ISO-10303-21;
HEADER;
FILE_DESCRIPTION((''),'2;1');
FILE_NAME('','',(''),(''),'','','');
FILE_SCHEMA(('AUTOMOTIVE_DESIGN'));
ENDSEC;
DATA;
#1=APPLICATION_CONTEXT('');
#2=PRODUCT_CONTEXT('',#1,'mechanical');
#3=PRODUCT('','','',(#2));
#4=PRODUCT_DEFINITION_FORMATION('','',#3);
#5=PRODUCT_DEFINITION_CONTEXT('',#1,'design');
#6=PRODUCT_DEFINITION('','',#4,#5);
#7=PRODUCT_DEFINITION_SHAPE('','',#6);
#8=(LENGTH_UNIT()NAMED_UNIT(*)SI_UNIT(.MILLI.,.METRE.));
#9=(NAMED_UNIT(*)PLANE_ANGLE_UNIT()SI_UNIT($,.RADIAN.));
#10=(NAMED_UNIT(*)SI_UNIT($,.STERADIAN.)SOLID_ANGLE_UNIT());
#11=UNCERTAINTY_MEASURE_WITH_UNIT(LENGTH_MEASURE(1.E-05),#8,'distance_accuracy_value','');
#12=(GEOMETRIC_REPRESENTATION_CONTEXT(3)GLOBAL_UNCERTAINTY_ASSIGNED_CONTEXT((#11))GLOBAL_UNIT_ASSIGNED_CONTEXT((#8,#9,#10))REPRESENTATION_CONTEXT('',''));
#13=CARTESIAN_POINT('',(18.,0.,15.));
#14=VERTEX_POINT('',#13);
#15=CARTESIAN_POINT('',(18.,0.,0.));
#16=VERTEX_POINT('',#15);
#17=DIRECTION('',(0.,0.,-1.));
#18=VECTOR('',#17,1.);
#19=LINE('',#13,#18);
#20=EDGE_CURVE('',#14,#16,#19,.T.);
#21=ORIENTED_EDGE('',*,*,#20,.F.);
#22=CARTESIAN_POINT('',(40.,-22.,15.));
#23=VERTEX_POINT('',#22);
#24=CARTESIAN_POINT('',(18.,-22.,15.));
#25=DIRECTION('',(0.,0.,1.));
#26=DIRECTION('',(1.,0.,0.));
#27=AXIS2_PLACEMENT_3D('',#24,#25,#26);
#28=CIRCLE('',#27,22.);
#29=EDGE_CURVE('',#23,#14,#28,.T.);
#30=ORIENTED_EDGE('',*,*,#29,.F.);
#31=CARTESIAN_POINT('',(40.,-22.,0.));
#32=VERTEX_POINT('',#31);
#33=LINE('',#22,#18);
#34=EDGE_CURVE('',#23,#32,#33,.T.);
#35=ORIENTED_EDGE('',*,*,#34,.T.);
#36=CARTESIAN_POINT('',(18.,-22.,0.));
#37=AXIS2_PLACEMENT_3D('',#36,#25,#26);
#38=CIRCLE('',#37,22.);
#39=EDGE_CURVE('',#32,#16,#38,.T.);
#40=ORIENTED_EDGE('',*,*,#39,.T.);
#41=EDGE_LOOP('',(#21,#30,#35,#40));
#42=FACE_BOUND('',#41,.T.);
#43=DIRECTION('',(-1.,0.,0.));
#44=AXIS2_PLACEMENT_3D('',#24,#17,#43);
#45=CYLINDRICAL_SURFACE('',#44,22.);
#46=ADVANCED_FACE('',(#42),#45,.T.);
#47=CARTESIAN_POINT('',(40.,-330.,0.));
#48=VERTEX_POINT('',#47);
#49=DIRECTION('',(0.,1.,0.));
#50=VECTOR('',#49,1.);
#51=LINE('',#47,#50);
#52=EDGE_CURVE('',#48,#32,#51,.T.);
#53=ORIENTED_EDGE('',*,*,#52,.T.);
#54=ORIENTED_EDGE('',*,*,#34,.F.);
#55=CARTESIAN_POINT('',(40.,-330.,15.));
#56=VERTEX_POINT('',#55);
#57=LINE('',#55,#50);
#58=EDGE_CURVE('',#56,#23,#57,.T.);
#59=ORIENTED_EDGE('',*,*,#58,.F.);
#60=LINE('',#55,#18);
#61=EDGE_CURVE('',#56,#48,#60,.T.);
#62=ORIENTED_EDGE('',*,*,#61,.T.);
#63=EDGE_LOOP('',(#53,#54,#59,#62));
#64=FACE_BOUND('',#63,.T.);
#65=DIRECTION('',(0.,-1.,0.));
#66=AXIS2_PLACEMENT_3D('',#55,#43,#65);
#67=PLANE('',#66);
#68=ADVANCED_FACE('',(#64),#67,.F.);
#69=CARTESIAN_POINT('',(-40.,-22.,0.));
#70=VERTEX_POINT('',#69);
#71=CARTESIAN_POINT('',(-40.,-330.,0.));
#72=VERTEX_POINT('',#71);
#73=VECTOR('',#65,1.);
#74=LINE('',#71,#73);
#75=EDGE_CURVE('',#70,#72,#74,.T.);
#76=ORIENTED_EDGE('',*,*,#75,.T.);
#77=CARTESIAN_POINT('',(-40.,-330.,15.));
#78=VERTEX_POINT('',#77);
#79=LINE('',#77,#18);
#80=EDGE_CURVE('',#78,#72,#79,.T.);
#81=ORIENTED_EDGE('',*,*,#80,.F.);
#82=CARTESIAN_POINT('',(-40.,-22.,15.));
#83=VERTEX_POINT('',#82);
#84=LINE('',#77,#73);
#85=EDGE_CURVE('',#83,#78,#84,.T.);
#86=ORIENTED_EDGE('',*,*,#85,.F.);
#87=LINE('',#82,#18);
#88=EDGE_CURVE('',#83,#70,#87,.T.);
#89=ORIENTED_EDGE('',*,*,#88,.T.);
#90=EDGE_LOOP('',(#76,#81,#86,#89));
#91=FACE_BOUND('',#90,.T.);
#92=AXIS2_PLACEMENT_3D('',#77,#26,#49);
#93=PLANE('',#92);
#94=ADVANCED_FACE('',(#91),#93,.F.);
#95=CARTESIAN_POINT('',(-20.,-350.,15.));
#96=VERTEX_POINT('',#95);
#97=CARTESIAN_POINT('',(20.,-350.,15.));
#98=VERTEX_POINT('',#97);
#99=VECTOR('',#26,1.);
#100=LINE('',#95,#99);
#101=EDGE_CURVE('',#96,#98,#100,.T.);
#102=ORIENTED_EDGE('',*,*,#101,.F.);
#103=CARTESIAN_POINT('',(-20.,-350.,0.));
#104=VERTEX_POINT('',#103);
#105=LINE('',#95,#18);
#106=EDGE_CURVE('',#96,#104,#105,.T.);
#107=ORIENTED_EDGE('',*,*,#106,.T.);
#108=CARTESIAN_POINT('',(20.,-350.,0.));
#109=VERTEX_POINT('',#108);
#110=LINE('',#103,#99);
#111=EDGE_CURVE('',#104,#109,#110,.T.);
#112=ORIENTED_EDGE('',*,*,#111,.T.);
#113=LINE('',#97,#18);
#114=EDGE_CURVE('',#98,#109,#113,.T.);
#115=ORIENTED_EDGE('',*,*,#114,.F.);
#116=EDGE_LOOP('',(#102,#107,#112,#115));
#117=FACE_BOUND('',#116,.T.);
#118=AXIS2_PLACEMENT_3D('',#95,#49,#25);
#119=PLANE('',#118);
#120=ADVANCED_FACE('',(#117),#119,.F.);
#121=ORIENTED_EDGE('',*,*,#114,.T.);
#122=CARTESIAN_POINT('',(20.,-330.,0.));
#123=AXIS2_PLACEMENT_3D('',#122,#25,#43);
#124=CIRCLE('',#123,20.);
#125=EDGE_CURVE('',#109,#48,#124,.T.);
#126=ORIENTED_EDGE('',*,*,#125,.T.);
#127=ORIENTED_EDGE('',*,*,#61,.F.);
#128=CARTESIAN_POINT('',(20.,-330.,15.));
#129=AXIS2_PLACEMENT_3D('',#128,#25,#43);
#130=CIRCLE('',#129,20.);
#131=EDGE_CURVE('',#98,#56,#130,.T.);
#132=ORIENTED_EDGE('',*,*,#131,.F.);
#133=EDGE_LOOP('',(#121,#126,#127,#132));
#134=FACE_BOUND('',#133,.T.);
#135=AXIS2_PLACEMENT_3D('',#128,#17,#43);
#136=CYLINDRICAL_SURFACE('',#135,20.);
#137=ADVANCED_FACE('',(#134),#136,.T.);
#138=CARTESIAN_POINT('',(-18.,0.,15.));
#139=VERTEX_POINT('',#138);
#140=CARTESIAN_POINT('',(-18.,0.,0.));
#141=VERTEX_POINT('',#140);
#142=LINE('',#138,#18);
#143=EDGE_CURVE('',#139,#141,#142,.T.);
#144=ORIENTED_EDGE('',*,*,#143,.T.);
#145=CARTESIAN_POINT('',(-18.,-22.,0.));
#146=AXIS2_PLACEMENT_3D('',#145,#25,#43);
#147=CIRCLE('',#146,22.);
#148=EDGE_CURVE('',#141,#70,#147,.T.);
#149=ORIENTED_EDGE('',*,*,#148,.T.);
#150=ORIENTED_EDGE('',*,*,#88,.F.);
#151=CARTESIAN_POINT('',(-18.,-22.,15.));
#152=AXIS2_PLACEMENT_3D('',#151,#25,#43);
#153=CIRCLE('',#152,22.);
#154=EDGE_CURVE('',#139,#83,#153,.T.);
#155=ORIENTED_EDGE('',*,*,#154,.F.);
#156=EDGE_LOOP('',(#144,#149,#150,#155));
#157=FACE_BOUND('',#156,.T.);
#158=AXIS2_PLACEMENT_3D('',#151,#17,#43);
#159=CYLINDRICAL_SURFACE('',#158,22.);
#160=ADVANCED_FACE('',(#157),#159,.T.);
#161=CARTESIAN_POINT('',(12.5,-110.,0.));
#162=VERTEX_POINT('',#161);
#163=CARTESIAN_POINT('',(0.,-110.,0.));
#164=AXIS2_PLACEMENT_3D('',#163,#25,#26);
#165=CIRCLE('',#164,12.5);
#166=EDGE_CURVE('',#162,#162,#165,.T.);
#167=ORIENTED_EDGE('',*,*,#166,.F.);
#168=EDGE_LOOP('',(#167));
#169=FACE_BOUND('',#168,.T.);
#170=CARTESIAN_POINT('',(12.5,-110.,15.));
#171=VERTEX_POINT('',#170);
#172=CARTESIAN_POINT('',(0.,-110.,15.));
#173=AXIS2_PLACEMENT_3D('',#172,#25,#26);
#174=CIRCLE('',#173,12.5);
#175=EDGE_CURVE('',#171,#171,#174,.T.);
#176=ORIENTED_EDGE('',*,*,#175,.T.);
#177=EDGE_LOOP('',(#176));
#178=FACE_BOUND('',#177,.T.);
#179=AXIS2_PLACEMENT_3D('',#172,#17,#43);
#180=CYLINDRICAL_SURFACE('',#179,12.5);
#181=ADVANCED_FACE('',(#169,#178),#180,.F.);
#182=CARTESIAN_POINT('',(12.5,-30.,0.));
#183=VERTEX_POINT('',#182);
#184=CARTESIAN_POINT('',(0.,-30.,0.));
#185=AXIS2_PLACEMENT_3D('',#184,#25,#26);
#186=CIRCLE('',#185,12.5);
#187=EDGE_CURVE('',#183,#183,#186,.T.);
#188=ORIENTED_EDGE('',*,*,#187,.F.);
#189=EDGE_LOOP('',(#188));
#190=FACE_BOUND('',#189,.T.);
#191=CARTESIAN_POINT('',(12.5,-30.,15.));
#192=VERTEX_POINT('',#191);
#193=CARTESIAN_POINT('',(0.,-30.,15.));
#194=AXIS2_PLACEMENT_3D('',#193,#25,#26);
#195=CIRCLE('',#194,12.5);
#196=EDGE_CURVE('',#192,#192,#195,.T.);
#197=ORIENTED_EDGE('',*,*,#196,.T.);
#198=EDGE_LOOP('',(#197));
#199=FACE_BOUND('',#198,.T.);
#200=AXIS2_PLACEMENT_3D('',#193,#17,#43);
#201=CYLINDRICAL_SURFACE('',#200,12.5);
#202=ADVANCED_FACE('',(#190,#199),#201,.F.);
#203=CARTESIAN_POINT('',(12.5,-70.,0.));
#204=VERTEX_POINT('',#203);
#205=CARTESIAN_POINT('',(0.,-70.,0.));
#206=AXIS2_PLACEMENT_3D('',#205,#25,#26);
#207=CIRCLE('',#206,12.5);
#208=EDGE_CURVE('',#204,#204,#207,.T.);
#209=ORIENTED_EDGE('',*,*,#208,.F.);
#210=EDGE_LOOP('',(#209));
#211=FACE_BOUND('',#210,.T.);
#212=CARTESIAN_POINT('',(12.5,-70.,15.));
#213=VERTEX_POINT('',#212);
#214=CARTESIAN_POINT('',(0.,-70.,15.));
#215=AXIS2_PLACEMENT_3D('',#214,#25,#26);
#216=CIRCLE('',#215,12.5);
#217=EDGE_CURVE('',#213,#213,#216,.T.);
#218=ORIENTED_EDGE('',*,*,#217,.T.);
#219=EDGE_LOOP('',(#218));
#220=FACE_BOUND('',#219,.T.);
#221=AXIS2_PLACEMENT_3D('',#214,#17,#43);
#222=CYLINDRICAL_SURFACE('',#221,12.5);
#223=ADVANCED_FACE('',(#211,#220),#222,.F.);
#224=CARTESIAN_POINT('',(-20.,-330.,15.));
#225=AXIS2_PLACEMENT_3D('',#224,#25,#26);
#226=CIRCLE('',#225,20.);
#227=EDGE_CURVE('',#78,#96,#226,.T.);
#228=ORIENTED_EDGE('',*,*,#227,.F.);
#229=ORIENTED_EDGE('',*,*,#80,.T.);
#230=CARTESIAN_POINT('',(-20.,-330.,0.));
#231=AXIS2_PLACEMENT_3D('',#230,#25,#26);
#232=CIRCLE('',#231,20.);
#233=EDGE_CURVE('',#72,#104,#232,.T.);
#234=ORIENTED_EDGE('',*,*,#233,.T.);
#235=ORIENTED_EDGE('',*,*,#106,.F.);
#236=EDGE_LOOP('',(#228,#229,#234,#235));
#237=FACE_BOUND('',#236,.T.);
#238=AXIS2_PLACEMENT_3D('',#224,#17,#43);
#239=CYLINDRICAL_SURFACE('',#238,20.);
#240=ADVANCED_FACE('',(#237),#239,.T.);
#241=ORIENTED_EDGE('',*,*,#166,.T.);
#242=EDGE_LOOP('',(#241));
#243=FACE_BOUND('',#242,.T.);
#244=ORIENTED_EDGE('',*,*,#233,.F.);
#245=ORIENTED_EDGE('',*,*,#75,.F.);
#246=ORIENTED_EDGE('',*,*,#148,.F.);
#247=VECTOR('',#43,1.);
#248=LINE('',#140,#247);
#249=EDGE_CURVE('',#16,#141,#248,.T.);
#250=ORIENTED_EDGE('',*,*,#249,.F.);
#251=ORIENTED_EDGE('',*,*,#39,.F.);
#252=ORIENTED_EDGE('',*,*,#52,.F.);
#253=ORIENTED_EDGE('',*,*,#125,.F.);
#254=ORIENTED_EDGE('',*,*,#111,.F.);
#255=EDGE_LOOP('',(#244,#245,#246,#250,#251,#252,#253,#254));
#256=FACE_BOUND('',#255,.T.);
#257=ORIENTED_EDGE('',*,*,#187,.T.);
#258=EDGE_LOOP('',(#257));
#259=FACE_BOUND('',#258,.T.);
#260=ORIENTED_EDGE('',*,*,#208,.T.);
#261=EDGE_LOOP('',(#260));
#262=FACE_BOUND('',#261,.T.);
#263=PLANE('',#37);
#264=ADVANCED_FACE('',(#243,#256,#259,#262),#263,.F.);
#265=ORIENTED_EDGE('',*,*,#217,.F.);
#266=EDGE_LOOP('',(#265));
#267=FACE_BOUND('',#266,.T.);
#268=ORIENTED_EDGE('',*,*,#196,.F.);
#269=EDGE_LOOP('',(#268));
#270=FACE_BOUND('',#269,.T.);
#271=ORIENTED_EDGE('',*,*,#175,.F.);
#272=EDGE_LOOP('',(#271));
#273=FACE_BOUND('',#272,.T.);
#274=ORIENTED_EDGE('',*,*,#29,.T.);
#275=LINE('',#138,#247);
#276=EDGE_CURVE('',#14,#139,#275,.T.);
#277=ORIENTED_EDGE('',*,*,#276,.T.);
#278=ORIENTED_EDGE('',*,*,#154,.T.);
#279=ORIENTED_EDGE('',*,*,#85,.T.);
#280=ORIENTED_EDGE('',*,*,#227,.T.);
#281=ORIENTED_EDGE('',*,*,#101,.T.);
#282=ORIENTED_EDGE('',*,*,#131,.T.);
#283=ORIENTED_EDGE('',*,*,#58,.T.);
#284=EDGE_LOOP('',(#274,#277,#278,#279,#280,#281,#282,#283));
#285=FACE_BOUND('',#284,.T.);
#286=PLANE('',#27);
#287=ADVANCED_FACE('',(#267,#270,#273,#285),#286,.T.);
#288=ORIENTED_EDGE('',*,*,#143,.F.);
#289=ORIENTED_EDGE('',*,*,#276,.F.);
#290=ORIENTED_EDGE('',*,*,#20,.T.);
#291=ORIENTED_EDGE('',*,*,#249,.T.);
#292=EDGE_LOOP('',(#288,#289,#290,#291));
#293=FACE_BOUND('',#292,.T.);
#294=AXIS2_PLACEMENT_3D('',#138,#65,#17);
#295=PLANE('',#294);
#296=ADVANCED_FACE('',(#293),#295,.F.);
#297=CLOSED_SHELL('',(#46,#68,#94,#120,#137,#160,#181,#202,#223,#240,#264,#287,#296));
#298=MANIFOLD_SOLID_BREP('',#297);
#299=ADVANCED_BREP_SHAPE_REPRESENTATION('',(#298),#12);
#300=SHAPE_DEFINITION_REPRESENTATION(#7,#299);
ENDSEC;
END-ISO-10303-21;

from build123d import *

# Parameters (mm, degrees)
ESQUISSE1_R        = 12.5
BOSS_EXTRU_1_DEPTH = 15


with BuildPart() as part:
    # Esquisse1 → Boss.-Extru.1 (new body)
    with BuildSketch(Plane.XY):
        with BuildLine():
            Line((-20, -350), (20, -350))
            ThreePointArc((20, -350), (34.142135624, -344.142135624), (40, -330))
            Line((40, -330), (40, -22))
            ThreePointArc((40, -22), (33.556349186, -6.443650814), (18, 0))
            Line((18, 0), (-18, 0))
            ThreePointArc((-18, 0), (-33.556349186, -6.443650814), (-40, -22))
            Line((-40, -22), (-40, -330))
            ThreePointArc((-40, -330), (-34.142135624, -344.142135624), (-20, -350))
        make_face()
        with Locations((0, -30)):
            Circle(ESQUISSE1_R, mode=Mode.SUBTRACT)
        with Locations((0, -70)):
            Circle(ESQUISSE1_R, mode=Mode.SUBTRACT)
        with Locations((0, -110)):
            Circle(ESQUISSE1_R, mode=Mode.SUBTRACT)
    extrude(amount=BOSS_EXTRU_1_DEPTH)


solid = part.part
